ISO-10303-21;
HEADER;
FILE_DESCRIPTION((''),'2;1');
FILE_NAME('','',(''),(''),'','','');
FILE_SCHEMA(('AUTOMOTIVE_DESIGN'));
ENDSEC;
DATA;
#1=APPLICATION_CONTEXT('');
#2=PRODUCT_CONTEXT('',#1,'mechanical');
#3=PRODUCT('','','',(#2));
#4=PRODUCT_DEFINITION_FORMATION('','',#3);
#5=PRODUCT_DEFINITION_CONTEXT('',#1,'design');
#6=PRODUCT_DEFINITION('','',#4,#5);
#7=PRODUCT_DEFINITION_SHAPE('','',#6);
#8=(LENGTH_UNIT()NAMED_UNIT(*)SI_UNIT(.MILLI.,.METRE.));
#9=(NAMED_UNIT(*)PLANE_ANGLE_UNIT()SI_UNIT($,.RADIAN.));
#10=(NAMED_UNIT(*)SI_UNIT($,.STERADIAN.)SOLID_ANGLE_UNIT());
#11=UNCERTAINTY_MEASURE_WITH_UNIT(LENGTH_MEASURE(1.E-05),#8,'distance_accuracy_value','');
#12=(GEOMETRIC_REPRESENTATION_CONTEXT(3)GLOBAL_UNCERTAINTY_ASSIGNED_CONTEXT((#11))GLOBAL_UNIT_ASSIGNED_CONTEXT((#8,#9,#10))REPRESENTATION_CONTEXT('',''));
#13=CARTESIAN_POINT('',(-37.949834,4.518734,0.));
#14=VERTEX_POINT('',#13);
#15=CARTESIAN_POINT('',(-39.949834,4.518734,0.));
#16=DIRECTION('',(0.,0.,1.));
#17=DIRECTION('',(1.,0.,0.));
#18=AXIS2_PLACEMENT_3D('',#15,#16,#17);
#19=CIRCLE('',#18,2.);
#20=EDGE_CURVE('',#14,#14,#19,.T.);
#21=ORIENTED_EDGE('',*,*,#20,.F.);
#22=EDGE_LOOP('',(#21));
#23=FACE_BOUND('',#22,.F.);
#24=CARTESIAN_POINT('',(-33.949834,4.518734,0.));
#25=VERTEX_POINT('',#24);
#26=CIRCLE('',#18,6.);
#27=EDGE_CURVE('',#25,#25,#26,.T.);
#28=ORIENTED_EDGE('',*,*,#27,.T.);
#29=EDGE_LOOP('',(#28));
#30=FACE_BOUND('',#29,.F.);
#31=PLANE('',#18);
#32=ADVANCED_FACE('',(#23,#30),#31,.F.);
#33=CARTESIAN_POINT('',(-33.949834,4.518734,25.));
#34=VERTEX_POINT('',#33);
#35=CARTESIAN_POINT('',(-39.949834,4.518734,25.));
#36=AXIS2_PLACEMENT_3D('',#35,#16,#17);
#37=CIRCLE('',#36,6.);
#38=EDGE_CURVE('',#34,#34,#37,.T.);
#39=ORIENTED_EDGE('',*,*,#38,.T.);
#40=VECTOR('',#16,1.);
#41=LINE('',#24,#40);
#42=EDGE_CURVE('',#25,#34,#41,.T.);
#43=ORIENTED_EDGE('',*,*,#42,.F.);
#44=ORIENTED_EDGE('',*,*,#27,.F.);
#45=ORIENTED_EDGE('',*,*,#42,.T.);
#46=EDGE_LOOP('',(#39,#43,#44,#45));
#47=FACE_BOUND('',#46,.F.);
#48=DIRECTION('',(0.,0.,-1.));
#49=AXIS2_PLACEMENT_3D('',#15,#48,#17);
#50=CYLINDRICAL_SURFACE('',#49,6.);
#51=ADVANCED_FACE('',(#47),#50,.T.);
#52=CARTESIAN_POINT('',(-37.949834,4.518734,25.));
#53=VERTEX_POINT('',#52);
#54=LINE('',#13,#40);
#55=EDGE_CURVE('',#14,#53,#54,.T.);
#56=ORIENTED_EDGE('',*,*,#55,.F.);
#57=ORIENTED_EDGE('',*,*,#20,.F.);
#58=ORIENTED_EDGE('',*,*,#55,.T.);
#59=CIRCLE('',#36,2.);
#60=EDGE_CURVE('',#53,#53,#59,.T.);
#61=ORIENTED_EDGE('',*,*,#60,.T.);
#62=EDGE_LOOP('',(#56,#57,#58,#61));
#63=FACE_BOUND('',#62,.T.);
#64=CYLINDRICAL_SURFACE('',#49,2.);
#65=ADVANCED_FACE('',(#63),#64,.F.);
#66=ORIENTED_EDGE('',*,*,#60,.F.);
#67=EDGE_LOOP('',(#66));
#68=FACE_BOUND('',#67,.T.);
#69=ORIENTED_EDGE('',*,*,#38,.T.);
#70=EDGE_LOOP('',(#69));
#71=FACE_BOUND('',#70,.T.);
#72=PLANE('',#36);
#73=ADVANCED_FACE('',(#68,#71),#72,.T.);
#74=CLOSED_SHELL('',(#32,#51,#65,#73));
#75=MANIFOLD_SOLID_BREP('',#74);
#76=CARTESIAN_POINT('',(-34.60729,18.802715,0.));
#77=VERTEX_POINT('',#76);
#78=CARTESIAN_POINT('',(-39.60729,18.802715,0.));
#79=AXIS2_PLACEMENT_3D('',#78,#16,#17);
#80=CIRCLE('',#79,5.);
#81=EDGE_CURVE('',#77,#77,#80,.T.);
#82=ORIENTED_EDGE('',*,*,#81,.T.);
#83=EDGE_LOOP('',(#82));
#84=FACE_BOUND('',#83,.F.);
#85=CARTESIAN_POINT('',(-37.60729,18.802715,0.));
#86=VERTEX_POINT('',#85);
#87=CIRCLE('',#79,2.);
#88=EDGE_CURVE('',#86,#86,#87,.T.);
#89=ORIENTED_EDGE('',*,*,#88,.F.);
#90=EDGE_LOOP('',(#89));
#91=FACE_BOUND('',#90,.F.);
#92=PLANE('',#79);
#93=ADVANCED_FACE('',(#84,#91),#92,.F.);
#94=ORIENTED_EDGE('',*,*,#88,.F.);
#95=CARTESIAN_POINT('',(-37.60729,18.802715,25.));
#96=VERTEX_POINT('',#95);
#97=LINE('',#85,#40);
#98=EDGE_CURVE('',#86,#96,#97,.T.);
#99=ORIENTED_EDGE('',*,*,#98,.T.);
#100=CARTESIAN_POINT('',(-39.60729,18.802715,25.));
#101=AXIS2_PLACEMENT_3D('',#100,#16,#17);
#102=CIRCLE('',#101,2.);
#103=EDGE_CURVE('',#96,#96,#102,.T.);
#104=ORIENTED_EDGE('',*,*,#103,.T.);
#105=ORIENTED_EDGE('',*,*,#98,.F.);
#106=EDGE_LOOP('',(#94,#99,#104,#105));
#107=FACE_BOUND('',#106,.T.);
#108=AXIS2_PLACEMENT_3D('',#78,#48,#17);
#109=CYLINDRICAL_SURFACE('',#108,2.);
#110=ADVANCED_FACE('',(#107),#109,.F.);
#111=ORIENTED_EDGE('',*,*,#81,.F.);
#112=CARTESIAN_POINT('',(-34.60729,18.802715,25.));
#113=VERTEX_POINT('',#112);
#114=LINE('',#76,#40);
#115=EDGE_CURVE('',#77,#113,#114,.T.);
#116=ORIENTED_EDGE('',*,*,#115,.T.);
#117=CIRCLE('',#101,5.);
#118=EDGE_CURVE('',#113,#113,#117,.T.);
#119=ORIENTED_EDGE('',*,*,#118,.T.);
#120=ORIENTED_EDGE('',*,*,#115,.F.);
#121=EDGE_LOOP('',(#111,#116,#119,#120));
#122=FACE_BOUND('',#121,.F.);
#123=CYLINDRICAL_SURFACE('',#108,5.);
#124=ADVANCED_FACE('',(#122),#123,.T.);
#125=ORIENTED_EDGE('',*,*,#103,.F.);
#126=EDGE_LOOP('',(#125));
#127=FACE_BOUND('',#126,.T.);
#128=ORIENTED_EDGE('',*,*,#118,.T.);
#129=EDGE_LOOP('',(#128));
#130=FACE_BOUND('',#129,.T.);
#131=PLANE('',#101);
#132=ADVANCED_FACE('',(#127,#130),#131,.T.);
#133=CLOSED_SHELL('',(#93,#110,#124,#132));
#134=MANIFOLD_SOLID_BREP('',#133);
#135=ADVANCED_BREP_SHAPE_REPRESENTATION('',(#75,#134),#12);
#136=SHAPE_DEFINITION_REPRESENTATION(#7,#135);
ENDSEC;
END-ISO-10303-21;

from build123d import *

# Parameters (mm, degrees)
F0_R     = 5
F0_R_2   = 2
F0_R_3   = 6
F1_DEPTH = 25


with BuildPart() as f1:
    # F0 (on Top) → F1 (new body)
    with BuildSketch(Plane.XY):
        with Locations((-39.60729, 18.802715)):
            Circle(F0_R)
        with Locations((-39.60729, 18.802715)):
            Circle(F0_R_2, mode=Mode.SUBTRACT)
        with Locations((-39.949834, 4.518734)):
            Circle(F0_R_3)
        with Locations((-39.949834, 4.518734)):
            Circle(F0_R_2, mode=Mode.SUBTRACT)
    extrude(amount=F1_DEPTH)


solid = f1.part
